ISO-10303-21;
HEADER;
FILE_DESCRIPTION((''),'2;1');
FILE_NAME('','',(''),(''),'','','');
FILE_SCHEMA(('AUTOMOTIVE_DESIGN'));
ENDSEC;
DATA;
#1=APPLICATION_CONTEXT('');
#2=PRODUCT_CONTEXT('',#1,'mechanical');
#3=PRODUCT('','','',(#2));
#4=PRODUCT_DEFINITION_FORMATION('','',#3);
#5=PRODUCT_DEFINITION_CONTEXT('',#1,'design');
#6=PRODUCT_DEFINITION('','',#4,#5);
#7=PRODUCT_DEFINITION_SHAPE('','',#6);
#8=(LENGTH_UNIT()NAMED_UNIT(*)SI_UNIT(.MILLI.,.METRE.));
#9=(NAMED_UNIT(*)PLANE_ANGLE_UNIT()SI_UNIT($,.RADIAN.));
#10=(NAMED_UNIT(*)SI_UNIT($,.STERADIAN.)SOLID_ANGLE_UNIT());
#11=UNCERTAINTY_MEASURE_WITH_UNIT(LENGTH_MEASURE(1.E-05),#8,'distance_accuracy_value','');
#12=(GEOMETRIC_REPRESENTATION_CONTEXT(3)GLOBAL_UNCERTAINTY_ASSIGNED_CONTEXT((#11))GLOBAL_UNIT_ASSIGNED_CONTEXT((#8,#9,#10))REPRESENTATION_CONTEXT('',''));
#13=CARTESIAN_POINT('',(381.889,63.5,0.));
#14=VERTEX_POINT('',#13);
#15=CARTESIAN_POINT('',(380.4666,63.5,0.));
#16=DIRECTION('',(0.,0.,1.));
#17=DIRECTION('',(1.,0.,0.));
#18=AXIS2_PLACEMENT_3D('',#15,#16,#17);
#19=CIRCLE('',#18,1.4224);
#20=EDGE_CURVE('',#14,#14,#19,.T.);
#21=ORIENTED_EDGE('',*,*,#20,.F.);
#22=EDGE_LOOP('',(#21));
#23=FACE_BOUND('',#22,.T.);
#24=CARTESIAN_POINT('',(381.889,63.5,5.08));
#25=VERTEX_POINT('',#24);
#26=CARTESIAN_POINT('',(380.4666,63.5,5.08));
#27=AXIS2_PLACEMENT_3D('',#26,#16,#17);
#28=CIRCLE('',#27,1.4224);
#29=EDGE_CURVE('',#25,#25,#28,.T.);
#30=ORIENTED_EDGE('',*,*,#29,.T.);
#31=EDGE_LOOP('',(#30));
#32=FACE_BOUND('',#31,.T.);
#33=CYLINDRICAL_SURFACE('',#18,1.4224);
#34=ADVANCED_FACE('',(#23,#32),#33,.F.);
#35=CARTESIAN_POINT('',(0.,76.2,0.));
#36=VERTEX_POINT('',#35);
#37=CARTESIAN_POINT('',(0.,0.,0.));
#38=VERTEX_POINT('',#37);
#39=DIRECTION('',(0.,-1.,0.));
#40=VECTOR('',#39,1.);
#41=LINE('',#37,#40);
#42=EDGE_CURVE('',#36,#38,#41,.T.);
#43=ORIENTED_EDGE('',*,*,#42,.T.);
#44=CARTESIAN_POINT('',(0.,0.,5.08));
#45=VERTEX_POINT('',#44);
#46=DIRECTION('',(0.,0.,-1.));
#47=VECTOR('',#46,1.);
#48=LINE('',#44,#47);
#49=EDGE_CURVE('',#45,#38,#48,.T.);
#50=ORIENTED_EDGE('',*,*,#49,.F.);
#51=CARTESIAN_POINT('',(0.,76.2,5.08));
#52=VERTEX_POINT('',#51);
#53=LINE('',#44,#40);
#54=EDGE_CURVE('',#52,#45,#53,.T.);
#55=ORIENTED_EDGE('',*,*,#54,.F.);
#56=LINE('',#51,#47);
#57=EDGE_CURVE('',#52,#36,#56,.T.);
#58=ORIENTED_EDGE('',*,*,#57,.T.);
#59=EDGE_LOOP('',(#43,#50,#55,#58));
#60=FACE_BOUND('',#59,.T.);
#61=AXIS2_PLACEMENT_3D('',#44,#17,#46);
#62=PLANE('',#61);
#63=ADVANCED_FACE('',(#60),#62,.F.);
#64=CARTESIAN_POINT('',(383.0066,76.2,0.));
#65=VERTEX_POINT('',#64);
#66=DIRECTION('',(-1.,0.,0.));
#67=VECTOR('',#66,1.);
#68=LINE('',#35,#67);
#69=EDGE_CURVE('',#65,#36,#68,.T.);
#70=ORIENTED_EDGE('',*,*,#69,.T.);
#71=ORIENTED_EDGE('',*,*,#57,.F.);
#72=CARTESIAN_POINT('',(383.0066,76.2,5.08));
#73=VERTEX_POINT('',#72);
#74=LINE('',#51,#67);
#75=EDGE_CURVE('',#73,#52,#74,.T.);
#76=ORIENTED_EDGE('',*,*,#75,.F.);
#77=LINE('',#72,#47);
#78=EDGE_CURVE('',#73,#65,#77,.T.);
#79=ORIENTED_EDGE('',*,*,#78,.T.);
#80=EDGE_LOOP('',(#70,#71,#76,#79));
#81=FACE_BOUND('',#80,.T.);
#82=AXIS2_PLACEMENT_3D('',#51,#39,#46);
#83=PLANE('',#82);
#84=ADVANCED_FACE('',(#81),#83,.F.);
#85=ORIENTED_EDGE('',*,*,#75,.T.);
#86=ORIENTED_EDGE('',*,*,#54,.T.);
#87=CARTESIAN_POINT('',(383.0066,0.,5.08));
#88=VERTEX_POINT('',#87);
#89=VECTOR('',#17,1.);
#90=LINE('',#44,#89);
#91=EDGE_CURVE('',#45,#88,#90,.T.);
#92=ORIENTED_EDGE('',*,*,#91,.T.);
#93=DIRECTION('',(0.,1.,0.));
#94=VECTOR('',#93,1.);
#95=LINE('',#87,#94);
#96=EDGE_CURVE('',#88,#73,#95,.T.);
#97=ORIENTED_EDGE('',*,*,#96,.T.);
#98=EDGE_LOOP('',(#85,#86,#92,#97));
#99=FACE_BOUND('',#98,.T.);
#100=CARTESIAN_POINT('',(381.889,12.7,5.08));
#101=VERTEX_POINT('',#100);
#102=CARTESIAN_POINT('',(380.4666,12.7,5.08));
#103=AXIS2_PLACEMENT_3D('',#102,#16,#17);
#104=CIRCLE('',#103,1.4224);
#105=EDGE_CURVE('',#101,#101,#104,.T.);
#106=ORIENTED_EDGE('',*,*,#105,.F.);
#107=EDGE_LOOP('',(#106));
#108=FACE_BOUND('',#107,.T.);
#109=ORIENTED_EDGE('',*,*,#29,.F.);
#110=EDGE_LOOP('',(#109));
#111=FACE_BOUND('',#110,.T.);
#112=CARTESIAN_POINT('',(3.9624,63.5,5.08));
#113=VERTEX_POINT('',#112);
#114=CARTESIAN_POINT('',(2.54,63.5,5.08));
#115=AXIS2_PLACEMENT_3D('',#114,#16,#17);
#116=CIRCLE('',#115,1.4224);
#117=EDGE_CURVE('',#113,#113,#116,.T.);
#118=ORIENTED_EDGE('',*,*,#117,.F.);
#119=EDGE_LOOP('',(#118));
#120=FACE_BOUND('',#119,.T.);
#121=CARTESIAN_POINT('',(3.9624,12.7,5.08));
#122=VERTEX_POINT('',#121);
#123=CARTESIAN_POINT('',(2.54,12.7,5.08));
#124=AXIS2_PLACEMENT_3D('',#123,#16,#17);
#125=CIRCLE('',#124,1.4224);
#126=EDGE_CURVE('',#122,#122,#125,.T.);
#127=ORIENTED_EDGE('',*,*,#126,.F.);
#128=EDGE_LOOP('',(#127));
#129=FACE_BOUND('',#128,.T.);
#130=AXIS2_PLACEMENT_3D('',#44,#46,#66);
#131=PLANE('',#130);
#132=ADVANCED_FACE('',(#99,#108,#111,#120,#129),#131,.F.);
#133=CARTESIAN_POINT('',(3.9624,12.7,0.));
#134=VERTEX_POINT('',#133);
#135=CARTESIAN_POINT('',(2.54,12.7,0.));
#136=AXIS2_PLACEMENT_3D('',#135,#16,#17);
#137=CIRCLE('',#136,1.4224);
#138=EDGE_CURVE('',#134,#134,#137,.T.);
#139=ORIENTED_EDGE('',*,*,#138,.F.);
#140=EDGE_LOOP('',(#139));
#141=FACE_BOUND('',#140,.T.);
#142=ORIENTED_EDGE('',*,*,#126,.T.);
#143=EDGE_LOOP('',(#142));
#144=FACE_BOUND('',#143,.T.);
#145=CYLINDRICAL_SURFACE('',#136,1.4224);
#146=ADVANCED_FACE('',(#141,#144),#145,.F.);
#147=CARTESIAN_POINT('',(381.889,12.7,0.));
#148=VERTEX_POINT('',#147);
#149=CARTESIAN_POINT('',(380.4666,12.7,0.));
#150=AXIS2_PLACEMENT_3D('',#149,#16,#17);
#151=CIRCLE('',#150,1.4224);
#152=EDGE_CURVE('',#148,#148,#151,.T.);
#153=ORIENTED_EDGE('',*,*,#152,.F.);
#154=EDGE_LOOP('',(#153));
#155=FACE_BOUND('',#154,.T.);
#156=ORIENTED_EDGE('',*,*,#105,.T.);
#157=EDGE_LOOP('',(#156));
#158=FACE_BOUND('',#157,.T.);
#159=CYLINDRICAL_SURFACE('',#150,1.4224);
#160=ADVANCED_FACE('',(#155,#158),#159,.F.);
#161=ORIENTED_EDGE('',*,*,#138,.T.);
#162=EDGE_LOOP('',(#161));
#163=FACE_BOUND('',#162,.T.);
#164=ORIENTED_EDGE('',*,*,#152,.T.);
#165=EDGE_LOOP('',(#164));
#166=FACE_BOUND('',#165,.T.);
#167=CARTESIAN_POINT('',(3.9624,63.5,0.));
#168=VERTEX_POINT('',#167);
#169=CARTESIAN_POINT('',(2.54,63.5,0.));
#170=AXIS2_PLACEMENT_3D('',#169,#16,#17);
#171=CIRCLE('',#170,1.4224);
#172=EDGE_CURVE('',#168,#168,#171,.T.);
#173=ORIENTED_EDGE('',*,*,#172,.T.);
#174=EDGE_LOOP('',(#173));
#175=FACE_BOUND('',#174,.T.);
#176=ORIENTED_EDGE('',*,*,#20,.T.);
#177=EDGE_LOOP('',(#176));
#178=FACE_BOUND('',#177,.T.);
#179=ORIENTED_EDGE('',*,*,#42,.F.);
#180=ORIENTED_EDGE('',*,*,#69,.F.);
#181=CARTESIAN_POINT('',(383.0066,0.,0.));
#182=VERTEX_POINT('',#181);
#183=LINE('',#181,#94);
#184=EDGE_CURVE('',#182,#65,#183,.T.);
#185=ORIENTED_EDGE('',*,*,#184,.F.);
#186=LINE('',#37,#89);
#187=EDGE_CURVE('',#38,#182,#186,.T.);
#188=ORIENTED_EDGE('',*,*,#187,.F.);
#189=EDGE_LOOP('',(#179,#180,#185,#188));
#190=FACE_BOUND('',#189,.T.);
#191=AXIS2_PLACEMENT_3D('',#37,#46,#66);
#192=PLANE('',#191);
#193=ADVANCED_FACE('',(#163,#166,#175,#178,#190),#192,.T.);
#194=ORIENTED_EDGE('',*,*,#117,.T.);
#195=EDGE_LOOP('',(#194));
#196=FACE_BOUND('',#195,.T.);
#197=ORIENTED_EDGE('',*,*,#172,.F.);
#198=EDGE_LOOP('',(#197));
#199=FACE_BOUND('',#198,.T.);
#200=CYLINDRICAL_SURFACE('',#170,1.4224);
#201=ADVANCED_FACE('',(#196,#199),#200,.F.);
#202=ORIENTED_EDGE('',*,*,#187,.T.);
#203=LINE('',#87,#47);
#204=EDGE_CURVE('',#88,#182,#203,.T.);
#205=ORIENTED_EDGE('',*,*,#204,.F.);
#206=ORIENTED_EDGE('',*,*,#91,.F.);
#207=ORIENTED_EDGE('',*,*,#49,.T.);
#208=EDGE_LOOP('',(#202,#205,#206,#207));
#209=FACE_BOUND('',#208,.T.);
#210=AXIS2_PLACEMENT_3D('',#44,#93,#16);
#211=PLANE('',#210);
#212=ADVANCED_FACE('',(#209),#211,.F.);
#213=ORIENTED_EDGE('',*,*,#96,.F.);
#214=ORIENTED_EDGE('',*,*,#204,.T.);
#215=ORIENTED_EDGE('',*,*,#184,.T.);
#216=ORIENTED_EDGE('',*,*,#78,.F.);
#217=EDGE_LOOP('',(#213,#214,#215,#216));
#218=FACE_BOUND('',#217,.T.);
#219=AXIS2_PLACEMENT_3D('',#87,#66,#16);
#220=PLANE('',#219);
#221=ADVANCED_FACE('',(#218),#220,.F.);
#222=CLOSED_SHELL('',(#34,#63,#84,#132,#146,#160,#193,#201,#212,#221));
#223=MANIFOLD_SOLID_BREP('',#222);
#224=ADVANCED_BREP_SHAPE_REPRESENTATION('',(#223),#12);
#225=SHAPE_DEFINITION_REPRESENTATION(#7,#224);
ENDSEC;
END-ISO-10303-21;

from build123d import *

# Parameters (mm, degrees)
SKETCH1_W           = 383.0066
SKETCH1_H           = 76.2
BOSS_EXTRUDE1_DEPTH = 5.08
SKETCH2_R           = 1.4224
CUT_EXTRUDE1_DEPTH  = 5.08


with BuildPart() as part:
    # Sketch1 → Boss-Extrude1 (new body)
    with BuildSketch(Plane.XY):
        with Locations((191.5033, 38.1)):
            Rectangle(SKETCH1_W, SKETCH1_H)
    extrude(amount=BOSS_EXTRUDE1_DEPTH)

    # Sketch2 → Cut-Extrude1 (cut)
    with BuildSketch(Plane.XY.offset(5.08)):
        with Locations((2.54, 63.5)):
            Circle(SKETCH2_R)
        with Locations((2.54, 12.7)):
            Circle(SKETCH2_R)
        with Locations((380.4666, 63.5)):
            Circle(SKETCH2_R)
        with Locations((380.4666, 12.7)):
            Circle(SKETCH2_R)
    extrude(amount=-CUT_EXTRUDE1_DEPTH, mode=Mode.SUBTRACT)


solid = part.part
